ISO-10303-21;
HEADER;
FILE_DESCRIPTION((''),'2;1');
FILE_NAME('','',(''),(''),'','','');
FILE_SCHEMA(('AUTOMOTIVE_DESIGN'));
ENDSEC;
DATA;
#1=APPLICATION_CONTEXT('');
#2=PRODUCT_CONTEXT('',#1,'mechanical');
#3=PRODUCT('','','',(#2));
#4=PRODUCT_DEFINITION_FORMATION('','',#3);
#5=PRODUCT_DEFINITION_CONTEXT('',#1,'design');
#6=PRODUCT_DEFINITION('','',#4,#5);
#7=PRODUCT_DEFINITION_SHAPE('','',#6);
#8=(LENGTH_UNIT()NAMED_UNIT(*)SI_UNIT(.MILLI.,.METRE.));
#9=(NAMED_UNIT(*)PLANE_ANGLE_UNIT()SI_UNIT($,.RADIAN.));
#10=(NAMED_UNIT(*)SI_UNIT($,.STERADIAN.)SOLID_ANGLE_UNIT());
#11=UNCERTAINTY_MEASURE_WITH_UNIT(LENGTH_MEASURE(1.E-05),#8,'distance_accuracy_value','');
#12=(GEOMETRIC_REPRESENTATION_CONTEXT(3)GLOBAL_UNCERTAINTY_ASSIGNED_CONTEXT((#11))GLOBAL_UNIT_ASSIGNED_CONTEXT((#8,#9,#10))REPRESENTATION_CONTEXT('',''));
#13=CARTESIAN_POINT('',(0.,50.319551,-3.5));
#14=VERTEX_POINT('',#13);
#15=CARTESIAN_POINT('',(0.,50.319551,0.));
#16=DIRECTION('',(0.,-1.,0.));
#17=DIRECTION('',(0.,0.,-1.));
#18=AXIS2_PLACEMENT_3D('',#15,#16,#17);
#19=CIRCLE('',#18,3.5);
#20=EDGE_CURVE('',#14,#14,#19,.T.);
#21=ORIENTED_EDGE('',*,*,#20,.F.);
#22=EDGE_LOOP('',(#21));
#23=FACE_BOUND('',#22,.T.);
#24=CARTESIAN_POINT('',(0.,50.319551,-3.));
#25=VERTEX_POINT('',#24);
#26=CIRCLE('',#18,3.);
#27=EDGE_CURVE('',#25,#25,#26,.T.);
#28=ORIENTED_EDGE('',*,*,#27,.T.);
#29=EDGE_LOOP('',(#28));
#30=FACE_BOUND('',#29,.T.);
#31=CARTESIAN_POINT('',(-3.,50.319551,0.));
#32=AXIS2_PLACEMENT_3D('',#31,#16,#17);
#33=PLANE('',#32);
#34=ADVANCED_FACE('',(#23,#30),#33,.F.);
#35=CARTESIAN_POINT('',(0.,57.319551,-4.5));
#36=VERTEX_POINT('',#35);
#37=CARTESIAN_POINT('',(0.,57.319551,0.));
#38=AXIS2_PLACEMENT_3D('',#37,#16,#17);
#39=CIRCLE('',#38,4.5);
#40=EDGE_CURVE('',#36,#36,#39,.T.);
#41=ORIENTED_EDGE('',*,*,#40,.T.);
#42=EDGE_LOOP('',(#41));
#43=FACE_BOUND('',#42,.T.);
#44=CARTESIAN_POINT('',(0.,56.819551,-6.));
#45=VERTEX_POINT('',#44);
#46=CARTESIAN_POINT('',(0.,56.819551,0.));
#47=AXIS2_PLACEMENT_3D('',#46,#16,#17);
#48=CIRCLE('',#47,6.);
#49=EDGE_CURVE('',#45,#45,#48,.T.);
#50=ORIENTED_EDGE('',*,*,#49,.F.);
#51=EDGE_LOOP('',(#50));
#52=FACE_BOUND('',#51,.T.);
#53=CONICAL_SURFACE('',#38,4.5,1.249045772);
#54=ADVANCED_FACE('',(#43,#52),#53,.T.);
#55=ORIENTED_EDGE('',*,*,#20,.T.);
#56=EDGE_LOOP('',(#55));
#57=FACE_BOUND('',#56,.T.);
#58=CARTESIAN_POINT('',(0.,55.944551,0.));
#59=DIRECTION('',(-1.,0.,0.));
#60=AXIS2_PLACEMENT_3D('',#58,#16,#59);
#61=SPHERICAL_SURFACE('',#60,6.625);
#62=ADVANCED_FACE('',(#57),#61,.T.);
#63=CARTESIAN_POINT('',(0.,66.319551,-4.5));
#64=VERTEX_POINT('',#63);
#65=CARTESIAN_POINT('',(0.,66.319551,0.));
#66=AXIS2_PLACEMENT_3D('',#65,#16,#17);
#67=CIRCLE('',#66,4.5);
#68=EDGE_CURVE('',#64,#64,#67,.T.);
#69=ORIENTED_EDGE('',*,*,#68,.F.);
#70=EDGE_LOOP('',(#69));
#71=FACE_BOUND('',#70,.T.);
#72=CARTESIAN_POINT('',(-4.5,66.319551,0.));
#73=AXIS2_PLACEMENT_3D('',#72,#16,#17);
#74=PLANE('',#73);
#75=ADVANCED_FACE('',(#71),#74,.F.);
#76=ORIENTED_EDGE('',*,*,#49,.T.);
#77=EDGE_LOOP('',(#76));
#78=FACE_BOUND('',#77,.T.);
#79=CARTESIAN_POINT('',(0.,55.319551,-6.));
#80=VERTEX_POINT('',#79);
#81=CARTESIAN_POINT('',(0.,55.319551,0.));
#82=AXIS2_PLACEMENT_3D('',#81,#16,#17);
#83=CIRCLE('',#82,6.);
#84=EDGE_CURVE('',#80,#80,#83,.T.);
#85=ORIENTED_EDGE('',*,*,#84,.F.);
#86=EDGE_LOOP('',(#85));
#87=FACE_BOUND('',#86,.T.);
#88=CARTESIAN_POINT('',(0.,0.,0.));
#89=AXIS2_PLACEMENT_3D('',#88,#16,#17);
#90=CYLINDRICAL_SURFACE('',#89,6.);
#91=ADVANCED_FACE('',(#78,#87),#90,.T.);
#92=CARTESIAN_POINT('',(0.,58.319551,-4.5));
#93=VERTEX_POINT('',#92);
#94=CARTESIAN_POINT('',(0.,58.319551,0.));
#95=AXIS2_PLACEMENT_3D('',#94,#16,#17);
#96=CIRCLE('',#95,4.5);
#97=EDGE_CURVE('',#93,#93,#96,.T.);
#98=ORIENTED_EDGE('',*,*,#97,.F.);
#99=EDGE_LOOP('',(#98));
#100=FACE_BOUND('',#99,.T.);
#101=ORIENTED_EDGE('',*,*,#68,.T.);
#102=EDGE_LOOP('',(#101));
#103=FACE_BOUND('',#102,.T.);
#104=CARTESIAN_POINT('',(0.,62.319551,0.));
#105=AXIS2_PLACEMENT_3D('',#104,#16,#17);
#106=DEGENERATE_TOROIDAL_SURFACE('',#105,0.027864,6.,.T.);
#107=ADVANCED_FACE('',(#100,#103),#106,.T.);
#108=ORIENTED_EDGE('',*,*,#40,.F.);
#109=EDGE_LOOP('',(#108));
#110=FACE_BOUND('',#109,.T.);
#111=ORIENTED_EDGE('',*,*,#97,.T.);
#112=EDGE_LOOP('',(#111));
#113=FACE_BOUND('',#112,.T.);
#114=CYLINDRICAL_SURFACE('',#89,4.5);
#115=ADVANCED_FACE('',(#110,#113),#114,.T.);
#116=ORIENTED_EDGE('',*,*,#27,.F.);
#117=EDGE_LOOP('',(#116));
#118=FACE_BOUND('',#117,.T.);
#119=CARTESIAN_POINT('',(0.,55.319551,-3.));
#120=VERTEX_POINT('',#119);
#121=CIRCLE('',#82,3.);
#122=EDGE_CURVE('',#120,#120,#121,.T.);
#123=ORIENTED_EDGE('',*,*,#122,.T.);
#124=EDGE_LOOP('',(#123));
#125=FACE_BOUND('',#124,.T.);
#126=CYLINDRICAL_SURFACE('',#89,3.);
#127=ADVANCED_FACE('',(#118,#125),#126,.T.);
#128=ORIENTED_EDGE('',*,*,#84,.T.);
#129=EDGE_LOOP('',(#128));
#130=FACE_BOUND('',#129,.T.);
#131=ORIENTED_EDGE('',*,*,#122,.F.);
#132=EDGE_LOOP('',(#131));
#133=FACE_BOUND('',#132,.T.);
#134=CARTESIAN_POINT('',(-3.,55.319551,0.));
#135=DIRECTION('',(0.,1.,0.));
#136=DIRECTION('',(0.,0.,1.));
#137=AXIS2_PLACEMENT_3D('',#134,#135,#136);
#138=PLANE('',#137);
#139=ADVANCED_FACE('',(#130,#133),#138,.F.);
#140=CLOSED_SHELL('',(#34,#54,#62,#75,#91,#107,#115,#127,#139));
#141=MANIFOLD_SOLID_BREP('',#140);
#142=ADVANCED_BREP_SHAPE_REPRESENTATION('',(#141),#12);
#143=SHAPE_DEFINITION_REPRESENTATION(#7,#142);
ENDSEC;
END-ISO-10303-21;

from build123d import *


with BuildPart() as part:
    # Esquisse1 → Révolution1 (revolve)
    with BuildSketch(Plane.XY):
        with BuildLine():
            Line((-4.5, 66.319551268), (0, 66.319551268))
            Line((0, 66.319551268), (0, 49.319551268))
            ThreePointArc((0, 49.319551268), (-1.820027472, 49.574455115), (-3.5, 50.319551268))
            Line((-3.5, 50.319551268), (-3, 50.319551268))
            Line((-3, 50.319551268), (-3, 55.319551268))
            Line((-3, 55.319551268), (-6, 55.319551268))
            Line((-6, 55.319551268), (-6, 56.819551268))
            Line((-6, 56.819551268), (-4.5, 57.319551268))
            Line((-4.5, 57.319551268), (-4.5, 58.319551268))
            ThreePointArc((-4.5, 58.319551268), (-6.027864045, 62.319551268), (-4.5, 66.319551268))
        make_face()
    revolve(axis=Axis((0, 0, 0), (0, 1, 0)))


solid = part.part
